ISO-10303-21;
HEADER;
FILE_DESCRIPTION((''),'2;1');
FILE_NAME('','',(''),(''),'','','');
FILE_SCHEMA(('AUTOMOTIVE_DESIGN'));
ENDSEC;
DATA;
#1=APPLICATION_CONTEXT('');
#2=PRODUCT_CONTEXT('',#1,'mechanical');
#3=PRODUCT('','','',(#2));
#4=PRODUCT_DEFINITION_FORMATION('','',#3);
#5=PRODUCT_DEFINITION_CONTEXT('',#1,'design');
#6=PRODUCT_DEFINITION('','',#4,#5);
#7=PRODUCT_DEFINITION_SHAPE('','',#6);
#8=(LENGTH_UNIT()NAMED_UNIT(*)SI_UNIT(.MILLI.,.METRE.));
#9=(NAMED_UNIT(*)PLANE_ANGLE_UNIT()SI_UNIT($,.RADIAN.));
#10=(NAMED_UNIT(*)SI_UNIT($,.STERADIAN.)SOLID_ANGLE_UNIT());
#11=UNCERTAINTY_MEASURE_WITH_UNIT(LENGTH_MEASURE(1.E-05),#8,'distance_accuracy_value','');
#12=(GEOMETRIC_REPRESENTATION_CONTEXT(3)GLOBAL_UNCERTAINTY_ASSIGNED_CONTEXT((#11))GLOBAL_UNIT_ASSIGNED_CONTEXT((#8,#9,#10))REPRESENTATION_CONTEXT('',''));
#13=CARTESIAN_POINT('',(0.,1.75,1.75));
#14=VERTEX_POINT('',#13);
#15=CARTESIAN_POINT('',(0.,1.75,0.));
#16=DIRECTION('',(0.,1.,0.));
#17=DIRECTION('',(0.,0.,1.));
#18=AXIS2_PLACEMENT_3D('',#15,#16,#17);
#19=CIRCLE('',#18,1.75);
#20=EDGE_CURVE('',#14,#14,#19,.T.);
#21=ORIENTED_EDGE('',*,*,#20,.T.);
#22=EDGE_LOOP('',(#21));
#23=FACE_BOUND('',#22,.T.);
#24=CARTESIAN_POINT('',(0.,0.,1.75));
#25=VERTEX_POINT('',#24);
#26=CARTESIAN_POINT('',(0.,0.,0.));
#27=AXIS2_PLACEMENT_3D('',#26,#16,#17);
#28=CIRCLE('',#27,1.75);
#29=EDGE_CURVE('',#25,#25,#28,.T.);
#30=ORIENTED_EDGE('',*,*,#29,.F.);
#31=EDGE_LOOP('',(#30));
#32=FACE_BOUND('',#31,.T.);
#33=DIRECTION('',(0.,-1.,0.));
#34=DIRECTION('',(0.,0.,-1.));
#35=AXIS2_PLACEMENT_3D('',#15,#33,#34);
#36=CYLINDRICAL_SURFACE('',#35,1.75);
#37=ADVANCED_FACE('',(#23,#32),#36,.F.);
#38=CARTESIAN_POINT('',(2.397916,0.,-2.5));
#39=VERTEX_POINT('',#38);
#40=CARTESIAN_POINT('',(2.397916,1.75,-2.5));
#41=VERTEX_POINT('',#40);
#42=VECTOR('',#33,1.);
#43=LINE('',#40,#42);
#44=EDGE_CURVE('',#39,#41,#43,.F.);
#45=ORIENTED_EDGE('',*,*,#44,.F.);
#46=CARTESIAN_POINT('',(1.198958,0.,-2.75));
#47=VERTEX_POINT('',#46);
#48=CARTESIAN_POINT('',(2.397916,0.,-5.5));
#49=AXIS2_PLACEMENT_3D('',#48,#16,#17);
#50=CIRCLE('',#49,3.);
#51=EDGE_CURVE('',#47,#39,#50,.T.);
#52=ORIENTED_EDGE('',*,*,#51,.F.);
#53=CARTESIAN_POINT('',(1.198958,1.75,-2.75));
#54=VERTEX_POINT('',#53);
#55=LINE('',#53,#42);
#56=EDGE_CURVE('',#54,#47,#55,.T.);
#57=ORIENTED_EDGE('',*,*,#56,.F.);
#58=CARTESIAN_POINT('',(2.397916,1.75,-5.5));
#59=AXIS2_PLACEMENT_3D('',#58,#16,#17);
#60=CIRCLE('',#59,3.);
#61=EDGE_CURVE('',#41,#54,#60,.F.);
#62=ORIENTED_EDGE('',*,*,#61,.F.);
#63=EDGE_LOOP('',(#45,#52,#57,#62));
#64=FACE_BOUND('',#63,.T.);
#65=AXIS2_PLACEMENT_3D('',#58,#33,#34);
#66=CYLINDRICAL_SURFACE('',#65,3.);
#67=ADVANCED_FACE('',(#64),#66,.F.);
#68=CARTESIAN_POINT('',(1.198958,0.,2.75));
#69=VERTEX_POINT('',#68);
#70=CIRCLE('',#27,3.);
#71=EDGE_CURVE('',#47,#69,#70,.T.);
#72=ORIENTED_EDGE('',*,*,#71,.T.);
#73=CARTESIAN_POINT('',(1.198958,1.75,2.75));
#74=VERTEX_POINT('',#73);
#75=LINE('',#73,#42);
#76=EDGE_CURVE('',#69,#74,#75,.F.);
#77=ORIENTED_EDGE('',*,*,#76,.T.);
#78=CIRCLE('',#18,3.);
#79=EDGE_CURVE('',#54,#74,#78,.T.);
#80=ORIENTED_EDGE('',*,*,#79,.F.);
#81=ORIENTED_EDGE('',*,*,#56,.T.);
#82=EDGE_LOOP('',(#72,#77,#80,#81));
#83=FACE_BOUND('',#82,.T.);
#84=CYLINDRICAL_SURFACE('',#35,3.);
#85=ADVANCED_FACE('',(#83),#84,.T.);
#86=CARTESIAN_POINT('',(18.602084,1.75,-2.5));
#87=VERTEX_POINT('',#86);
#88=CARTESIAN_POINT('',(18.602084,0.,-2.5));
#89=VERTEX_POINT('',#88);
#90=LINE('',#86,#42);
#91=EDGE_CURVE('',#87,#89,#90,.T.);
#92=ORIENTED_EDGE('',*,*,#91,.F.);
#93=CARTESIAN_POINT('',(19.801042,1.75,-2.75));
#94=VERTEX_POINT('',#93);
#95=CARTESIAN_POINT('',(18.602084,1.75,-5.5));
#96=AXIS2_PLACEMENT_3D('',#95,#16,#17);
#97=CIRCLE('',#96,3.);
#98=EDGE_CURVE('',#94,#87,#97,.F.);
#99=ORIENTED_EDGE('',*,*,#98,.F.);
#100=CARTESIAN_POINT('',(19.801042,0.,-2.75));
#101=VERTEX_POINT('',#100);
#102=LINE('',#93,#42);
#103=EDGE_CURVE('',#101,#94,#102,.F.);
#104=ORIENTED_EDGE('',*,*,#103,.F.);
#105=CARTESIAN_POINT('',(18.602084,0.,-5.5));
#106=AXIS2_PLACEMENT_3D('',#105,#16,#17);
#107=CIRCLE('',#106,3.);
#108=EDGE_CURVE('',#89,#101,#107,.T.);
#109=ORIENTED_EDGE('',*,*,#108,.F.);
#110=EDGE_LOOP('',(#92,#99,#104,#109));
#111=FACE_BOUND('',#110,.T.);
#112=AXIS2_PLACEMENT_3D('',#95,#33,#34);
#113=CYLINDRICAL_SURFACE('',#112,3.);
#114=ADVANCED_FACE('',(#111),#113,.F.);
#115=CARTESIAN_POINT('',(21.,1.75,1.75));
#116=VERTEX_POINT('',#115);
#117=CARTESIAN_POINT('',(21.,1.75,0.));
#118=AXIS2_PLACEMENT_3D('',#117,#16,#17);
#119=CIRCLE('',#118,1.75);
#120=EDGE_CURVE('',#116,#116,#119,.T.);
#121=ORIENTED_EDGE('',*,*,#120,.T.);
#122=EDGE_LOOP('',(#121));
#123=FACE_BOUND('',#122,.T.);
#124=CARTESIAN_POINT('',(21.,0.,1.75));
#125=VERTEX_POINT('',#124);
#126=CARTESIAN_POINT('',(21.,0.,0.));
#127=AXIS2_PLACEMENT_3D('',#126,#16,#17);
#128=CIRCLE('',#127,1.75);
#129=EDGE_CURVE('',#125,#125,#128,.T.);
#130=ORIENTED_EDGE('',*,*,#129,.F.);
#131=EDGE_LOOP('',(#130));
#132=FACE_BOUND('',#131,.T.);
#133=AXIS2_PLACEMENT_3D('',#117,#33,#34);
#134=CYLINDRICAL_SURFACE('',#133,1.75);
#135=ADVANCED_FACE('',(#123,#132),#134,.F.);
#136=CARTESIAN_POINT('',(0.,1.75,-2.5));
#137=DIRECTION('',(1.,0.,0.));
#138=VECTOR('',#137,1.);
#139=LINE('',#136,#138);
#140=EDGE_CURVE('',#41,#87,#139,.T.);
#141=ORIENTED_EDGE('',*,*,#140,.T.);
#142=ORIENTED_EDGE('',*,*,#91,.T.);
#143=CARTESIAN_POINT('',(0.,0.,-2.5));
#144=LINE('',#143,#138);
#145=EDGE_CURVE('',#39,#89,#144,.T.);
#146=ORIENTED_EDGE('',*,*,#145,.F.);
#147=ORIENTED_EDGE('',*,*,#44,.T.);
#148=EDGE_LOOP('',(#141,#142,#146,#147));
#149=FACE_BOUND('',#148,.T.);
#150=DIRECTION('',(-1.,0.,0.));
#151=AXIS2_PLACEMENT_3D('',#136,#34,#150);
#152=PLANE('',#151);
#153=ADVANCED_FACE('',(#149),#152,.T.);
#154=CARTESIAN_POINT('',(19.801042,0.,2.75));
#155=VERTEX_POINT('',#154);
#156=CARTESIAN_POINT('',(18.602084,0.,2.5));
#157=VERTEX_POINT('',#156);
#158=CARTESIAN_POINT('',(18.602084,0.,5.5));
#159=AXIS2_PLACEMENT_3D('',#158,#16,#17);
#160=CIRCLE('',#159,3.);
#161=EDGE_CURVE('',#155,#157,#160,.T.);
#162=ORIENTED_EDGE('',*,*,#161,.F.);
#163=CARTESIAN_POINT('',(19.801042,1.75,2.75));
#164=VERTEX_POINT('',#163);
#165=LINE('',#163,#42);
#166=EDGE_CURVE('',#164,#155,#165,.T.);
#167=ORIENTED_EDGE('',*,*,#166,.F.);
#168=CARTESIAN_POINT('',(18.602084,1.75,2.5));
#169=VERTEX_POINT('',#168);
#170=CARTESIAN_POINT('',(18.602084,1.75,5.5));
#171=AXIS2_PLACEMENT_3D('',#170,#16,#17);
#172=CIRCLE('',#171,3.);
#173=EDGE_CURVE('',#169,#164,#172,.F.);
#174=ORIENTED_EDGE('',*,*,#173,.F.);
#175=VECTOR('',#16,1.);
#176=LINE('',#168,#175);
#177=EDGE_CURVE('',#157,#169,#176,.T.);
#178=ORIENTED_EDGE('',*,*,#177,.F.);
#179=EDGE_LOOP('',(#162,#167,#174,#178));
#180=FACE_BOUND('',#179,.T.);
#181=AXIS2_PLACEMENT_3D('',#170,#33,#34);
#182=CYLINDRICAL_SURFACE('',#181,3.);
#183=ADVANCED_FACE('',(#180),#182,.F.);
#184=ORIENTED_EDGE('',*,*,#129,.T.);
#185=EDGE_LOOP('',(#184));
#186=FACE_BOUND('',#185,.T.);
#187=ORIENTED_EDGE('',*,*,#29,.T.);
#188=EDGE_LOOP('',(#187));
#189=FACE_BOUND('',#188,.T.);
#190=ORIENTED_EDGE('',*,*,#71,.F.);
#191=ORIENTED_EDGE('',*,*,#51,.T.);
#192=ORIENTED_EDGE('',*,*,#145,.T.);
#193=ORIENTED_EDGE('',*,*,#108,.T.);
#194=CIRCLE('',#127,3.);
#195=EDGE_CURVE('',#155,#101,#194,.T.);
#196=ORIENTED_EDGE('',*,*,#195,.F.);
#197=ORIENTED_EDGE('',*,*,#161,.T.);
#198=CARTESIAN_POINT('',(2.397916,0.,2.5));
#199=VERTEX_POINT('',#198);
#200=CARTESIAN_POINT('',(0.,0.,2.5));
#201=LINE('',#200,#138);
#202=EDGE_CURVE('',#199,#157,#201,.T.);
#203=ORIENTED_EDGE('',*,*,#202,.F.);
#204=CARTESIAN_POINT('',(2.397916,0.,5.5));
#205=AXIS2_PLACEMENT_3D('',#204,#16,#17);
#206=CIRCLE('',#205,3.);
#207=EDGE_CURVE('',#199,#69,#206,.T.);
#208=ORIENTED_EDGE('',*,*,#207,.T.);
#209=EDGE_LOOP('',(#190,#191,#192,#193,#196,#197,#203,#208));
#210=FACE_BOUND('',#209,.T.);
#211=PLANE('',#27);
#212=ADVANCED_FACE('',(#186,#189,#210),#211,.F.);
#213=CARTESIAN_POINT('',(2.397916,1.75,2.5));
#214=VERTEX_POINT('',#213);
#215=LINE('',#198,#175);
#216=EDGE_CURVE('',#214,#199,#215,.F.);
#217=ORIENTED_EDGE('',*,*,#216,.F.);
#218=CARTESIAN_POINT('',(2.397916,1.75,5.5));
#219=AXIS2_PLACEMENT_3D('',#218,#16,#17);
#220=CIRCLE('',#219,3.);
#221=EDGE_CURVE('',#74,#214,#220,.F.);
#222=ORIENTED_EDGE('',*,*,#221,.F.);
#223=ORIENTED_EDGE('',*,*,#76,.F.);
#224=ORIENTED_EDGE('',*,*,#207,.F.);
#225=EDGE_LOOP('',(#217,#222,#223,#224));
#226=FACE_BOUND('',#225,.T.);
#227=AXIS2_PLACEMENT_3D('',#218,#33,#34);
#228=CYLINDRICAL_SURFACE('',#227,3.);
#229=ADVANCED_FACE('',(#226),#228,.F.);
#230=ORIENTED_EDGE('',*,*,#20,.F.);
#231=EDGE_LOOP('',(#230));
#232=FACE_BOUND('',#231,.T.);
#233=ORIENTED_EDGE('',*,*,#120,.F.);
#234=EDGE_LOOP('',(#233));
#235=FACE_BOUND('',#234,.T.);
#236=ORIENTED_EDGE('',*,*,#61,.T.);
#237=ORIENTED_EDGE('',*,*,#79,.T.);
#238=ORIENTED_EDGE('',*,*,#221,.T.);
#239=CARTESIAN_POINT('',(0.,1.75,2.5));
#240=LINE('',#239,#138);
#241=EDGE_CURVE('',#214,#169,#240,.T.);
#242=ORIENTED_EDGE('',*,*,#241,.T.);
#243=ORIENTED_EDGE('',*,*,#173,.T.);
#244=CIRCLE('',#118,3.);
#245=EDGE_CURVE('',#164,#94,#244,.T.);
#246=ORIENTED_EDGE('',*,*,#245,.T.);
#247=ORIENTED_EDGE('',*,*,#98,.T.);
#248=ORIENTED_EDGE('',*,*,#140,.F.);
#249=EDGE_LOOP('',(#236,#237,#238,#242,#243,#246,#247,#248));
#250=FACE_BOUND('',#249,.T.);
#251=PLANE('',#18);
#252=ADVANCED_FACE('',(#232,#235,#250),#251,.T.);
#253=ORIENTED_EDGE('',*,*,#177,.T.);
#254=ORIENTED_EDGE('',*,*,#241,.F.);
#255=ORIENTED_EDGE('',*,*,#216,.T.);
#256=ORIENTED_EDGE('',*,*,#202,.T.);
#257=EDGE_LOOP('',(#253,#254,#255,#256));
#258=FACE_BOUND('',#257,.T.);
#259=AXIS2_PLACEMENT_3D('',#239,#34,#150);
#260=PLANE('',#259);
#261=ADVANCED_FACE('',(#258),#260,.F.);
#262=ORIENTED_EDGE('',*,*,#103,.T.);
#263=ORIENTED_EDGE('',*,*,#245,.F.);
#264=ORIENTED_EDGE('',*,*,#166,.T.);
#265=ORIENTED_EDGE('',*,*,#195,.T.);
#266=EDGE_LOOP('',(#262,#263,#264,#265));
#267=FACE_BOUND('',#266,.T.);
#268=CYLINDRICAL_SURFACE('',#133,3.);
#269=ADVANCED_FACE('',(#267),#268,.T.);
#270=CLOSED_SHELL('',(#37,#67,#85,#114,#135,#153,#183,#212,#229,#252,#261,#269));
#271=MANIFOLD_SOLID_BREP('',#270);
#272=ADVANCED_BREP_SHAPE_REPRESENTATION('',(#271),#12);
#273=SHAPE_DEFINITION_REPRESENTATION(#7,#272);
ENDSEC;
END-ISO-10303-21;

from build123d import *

# Parameters (mm, degrees)
SKETCH1_R           = 1.75
BOSS_EXTRUDE1_DEPTH = 1.75
FILLET1_R           = 3


with BuildPart() as part:
    # Sketch1 → Boss-Extrude1 (new body)
    with BuildSketch(Plane(origin=(0, 0, 0), x_dir=(1, 0, 0), z_dir=(0, 1, 0))):
        with BuildLine():
            ThreePointArc((1.658312395, 2.5), (-3, 0), (1.658312395, -2.5))
            Line((1.658312395, -2.5), (19.341687605, -2.5))
            ThreePointArc((19.341687605, -2.5), (24, 0), (19.341687605, 2.5))
            Line((19.341687605, 2.5), (1.658312395, 2.5))
        make_face()
        with Locations(Location((0, 0, 0), (0, 0, 270))):
            Circle(SKETCH1_R, mode=Mode.SUBTRACT)
        with Locations(Location((21, 0, 0), (0, 0, 270))):
            Circle(SKETCH1_R, mode=Mode.SUBTRACT)
    extrude(amount=BOSS_EXTRUDE1_DEPTH)

    # Fillet1
    fillet1_edges = [part.edges().sort_by_distance(p)[0] for p in [
        (19.341687605, 0.875, 2.5),
        (1.658312395, 0.875, 2.5),
        (1.658312395, 0.875, -2.5),
        (19.341687605, 0.875, -2.5),
    ]]
    fillet(fillet1_edges, radius=FILLET1_R)


solid = part.part
